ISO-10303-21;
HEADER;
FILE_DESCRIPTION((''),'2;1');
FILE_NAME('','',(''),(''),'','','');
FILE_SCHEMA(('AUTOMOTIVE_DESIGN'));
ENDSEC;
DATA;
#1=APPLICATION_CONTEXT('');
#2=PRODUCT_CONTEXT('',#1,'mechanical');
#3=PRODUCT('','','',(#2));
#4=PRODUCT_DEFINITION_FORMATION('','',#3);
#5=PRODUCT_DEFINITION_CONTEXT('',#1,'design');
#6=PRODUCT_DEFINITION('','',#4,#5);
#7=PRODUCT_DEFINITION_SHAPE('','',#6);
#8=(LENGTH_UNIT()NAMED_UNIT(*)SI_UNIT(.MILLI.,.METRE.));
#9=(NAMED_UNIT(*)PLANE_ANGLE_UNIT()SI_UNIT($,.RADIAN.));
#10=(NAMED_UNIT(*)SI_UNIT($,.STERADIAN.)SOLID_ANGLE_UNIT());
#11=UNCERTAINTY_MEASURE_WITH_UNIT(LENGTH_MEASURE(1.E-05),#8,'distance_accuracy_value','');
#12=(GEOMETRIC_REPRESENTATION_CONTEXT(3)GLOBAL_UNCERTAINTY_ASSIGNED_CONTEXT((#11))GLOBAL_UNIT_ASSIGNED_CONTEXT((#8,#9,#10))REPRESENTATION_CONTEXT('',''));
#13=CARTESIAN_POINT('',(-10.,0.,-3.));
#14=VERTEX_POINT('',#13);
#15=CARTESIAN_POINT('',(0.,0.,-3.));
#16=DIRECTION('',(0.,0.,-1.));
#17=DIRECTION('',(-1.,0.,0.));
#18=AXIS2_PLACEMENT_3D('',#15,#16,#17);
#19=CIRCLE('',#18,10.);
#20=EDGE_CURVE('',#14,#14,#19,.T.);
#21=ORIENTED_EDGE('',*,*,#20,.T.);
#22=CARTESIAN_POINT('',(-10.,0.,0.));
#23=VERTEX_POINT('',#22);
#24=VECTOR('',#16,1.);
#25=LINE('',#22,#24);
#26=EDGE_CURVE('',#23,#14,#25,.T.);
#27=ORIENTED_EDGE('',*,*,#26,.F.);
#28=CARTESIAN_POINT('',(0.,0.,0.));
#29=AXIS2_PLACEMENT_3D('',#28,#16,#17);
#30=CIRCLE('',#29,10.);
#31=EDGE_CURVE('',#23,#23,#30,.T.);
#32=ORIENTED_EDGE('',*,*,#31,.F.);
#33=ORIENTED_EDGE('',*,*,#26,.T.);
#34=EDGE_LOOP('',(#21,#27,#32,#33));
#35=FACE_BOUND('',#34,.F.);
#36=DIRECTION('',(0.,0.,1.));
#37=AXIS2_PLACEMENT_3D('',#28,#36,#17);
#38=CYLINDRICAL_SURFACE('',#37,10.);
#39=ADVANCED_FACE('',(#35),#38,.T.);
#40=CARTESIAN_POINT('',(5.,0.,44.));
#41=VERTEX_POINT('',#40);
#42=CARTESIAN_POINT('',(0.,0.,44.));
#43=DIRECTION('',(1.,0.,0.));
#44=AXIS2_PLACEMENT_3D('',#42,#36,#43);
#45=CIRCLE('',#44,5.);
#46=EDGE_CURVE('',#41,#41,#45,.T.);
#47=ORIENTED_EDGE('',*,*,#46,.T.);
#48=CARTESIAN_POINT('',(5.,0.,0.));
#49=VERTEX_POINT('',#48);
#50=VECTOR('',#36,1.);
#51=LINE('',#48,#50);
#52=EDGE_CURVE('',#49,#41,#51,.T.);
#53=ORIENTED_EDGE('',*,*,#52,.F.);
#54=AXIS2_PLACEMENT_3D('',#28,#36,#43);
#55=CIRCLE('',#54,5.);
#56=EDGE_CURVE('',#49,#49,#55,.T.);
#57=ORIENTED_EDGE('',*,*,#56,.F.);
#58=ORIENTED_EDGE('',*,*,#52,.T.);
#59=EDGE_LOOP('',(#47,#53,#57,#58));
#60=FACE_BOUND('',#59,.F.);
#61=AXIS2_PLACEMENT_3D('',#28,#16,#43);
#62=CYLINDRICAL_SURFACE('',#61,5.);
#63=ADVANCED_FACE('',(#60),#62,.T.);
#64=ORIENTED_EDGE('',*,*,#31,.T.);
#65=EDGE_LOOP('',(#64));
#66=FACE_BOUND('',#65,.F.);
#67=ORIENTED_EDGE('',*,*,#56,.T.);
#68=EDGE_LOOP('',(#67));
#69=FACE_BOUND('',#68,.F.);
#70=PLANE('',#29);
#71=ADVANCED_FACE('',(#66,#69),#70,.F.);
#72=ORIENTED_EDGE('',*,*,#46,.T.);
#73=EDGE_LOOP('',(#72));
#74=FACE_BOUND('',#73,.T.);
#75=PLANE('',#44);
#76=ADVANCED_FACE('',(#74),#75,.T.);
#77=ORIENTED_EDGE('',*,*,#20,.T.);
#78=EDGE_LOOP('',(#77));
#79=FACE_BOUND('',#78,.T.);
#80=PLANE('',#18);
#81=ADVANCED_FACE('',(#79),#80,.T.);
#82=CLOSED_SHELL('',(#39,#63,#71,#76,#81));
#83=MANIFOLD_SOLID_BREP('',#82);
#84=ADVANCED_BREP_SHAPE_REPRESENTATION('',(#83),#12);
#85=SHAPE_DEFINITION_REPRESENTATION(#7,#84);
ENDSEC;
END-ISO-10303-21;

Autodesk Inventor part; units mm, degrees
ref_plane "YZ Plane" through (0, 0, 0) normal (1, 0, 0) x (0, 1, 0)
ref_plane "XZ Plane" through (0, 0, 0) normal (0, 1, 0) x (-1, 0, 0)
ref_plane "XY Plane" through (0, 0, 0) normal (0, 0, 1) x (1, 0, 0)
sketch "Esboço1" plane through (0, 0, 0) normal (0, 0, 1) x (1, 0, 0)
  circle A0 centre (0, 0) radius 5
  dimension "d0" = 10
extrude "Extrusão1" add sketch "Esboço1" along normal blind 44
sketch "Esboço2" plane through (0, 0, 0) normal (0, 0, -1) x (-1, 0, 0)
  circle A0 centre (0, 0) radius 5 projected
  circle A1 centre (0, 0) radius 10
  dimension "d3" = 20
extrude "Extrusão2" add sketch "Esboço2" along normal blind 3 contours A0 | A1
properties part number "suporte"
